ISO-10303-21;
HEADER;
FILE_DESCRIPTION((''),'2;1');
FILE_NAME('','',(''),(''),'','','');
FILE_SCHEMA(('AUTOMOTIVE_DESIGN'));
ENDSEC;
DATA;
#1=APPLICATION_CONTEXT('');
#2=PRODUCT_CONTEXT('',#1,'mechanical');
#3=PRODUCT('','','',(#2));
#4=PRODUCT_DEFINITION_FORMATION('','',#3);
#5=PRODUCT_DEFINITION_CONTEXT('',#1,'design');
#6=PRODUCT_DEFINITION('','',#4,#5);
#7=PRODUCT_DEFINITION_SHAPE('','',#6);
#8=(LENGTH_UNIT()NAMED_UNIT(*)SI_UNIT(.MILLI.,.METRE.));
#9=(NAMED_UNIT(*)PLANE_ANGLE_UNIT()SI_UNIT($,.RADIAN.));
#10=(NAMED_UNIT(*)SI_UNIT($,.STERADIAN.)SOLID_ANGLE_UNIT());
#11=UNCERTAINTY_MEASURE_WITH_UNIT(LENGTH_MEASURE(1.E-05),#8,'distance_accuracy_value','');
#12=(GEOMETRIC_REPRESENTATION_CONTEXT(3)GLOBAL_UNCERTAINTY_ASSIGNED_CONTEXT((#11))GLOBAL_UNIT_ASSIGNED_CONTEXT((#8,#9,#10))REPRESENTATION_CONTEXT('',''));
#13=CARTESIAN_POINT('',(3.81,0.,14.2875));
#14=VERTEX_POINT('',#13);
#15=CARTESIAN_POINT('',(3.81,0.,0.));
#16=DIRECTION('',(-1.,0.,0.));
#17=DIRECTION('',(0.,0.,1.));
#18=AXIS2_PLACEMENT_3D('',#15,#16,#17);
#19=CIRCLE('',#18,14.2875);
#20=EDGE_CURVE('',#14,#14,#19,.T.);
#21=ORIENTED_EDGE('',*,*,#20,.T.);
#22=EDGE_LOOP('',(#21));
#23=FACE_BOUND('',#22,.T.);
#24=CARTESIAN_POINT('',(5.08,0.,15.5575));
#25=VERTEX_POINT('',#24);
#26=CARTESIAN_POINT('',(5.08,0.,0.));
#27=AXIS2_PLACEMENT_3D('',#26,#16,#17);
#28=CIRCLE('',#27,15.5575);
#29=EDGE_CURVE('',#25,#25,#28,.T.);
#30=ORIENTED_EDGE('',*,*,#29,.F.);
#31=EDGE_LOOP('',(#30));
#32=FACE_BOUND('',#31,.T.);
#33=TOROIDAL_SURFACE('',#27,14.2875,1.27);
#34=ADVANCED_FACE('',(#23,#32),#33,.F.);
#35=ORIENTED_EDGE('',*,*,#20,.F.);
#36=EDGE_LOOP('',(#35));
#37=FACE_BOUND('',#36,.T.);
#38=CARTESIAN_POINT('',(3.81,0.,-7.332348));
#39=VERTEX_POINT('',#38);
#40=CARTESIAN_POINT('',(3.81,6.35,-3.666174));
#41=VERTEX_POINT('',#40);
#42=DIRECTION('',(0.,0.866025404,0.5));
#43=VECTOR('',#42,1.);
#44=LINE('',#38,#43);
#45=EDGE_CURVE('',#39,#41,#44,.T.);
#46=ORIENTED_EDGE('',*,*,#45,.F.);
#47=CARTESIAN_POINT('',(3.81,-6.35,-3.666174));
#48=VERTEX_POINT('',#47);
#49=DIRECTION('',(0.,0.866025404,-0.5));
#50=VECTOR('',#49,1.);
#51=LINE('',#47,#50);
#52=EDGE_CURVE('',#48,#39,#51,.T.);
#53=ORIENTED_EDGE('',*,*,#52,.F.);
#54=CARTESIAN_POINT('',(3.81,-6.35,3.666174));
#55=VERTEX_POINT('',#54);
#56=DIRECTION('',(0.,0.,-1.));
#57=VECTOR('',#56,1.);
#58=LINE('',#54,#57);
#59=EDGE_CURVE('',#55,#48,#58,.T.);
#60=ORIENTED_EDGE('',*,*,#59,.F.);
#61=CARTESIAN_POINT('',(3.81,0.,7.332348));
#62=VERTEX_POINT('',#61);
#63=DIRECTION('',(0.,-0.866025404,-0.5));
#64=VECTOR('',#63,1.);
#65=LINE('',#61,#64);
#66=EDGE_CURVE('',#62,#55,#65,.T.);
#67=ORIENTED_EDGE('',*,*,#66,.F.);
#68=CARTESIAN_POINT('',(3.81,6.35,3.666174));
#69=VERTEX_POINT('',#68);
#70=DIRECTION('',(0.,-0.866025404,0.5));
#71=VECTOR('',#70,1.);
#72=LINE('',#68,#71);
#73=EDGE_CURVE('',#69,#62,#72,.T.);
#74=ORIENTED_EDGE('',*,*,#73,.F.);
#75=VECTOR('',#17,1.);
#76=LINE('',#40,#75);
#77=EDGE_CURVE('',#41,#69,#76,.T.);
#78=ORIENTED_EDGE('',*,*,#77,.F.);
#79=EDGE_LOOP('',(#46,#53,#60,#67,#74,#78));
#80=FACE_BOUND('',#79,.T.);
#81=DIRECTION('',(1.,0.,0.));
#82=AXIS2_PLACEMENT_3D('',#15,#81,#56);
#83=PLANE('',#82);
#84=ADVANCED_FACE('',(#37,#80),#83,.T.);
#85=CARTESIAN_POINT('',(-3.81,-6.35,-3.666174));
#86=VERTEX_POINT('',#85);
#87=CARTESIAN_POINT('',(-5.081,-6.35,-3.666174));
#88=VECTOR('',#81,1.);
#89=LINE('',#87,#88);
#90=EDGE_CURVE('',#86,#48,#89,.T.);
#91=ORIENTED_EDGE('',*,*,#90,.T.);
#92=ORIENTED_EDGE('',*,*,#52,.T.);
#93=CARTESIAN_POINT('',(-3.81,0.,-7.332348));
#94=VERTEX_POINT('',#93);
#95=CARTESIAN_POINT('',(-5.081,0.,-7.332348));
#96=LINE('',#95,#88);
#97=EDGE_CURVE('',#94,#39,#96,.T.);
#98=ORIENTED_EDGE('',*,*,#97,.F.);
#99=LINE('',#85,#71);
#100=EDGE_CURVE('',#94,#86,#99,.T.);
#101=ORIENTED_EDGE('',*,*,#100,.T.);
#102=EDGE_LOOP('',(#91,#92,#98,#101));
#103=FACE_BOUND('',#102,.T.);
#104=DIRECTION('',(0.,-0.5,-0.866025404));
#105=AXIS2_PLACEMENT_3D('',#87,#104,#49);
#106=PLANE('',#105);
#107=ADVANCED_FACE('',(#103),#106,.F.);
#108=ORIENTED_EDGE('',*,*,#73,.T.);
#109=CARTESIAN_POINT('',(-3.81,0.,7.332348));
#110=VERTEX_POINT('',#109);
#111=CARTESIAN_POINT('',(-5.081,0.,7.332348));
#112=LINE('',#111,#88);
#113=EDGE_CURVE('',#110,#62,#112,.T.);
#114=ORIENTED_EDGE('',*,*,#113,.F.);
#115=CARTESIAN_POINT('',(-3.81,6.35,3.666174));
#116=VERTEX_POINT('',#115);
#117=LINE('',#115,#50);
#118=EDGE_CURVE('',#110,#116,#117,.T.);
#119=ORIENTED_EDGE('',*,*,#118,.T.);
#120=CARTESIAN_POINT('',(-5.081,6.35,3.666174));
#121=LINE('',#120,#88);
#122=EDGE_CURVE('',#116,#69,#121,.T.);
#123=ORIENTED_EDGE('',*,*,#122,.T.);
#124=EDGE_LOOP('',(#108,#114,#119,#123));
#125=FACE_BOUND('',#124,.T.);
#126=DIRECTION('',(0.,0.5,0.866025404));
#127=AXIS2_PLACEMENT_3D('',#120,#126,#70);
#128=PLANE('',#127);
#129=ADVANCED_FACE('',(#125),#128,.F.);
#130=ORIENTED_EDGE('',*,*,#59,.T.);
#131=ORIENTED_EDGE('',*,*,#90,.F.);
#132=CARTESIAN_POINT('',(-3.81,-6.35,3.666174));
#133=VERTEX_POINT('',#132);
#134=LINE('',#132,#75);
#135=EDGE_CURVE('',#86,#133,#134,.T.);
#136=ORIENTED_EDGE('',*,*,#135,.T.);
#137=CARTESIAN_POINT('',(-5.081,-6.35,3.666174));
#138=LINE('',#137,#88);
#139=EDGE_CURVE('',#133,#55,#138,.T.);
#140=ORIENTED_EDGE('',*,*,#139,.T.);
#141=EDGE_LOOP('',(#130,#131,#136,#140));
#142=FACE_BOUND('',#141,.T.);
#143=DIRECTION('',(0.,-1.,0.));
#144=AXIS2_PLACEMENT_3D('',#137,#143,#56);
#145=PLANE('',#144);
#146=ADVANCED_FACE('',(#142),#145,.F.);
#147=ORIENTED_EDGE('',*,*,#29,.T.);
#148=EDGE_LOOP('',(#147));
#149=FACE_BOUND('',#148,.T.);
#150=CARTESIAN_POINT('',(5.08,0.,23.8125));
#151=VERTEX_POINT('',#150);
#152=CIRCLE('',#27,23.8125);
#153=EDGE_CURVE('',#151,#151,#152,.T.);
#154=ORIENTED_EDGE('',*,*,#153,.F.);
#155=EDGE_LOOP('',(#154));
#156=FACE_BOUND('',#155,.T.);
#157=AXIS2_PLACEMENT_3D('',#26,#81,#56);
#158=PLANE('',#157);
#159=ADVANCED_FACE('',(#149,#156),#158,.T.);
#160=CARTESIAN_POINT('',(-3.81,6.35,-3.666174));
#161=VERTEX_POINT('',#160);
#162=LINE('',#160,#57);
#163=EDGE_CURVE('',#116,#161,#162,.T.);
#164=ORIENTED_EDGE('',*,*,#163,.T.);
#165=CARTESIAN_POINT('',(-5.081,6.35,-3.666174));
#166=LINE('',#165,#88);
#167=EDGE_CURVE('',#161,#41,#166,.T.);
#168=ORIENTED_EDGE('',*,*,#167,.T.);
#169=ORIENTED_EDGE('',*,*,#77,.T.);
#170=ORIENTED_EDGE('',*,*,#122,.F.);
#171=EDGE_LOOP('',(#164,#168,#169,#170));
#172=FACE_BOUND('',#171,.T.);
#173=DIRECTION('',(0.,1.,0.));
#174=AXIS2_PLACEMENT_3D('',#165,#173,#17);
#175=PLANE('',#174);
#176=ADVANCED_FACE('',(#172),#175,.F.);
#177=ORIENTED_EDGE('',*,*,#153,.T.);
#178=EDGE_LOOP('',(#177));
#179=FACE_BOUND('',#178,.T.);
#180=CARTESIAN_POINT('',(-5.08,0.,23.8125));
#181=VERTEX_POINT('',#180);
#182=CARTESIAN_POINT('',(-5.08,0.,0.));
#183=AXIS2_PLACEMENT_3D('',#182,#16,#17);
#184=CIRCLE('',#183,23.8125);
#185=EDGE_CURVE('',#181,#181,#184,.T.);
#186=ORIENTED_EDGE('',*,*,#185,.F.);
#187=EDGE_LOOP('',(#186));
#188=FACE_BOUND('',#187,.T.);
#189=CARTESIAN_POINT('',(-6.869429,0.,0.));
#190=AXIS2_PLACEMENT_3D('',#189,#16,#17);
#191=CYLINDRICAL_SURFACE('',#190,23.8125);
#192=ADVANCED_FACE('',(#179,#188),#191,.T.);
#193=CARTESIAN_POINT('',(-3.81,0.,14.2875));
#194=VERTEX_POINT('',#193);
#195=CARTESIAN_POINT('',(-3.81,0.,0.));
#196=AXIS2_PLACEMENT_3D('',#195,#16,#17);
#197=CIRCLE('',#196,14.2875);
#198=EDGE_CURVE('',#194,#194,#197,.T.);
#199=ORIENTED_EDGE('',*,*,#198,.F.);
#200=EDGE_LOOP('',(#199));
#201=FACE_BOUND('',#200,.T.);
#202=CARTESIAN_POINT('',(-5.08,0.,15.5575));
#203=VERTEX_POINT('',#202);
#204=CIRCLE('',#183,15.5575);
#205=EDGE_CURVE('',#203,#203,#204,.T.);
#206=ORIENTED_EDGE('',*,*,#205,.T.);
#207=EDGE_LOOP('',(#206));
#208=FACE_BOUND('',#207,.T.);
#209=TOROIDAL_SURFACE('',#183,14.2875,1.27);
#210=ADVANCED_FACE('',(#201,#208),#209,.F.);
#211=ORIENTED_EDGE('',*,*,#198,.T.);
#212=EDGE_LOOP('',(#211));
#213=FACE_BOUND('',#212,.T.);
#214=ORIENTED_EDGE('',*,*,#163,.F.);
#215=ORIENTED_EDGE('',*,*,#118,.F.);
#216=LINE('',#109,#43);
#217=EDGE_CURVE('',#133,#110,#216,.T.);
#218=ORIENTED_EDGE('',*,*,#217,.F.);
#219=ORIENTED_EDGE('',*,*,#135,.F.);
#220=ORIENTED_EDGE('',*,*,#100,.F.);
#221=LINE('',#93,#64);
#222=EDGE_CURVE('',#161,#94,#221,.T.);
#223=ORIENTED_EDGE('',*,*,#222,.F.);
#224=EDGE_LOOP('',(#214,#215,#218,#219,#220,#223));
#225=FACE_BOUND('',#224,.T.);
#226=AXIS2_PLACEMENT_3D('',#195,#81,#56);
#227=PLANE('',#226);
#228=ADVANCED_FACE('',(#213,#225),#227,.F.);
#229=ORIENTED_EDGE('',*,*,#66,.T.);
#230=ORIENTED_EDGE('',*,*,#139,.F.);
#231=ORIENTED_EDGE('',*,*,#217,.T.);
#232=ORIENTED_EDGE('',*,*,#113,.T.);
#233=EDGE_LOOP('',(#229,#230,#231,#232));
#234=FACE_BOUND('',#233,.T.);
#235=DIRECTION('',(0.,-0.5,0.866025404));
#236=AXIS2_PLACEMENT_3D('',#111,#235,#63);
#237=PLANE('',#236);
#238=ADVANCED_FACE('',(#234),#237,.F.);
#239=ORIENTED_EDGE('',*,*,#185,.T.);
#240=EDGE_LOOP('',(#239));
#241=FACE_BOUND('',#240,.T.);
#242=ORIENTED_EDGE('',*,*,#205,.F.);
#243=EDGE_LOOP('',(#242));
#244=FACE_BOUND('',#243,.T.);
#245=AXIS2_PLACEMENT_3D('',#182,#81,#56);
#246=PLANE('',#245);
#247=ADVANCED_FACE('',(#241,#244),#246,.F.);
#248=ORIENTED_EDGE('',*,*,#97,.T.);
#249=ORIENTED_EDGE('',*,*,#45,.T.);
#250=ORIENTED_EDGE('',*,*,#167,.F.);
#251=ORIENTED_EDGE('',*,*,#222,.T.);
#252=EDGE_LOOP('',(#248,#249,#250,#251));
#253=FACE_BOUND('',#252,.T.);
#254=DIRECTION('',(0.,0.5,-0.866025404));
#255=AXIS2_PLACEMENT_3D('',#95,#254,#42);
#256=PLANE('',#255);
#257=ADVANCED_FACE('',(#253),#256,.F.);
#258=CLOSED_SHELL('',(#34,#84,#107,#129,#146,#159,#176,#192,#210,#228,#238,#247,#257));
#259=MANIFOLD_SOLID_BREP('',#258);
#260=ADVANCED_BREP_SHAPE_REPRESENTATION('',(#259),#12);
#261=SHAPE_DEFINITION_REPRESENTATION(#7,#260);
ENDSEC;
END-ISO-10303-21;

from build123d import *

# Parameters (mm, degrees)
CUT_EXTRUDE1_REACH = 36.83


with BuildPart() as part:
    # Sketch2 → Revolve1 (revolve)
    with BuildSketch(Plane.XY, mode=Mode.PRIVATE) as revolve1_sk:
        with BuildLine():
            Line((-5.08, 23.8125), (-5.08, 15.5575))
            ThreePointArc((-5.08, 15.5575), (-4.181974388, 15.185525612), (-3.81, 14.2875))
            Line((-3.81, 14.2875), (-3.81, 0))
            Line((-3.81, 0), (3.81, 0))
            Line((3.81, 0), (3.81, 14.2875))
            ThreePointArc((3.81, 14.2875), (4.181974388, 15.185525612), (5.08, 15.5575))
            Line((5.08, 15.5575), (5.08, 23.8125))
            Line((5.08, 23.8125), (-5.08, 23.8125))
        make_face()
    revolve(revolve1_sk.sketch.rotate(Axis((-6.869429095, 0, 0), (1, 0, 0)), 90), axis=Axis((-6.869429095, 0, 0), (1, 0, 0)))

    # Sketch3 → Cut-Extrude1 (cut, up to next)
    with BuildSketch(Plane(origin=(3.81, 0, 0), x_dir=(0, 0, -1), z_dir=(1, 0, 0)), mode=Mode.PRIVATE) as cut_extrude1_sk1:
        Polygon((7.332348419, 0), (3.666174209, 6.35), (-3.666174209, 6.35), (-7.332348419, 0), (-3.666174209, -6.35), (3.666174209, -6.35), align=None)
    cut_extrude1_tool1 = extrude(cut_extrude1_sk1.sketch, amount=-CUT_EXTRUDE1_REACH, mode=Mode.PRIVATE) & part.part
    add(cut_extrude1_tool1.solids().sort_by_distance((3.81, 0, 0))[0], mode=Mode.SUBTRACT)


solid = part.part
